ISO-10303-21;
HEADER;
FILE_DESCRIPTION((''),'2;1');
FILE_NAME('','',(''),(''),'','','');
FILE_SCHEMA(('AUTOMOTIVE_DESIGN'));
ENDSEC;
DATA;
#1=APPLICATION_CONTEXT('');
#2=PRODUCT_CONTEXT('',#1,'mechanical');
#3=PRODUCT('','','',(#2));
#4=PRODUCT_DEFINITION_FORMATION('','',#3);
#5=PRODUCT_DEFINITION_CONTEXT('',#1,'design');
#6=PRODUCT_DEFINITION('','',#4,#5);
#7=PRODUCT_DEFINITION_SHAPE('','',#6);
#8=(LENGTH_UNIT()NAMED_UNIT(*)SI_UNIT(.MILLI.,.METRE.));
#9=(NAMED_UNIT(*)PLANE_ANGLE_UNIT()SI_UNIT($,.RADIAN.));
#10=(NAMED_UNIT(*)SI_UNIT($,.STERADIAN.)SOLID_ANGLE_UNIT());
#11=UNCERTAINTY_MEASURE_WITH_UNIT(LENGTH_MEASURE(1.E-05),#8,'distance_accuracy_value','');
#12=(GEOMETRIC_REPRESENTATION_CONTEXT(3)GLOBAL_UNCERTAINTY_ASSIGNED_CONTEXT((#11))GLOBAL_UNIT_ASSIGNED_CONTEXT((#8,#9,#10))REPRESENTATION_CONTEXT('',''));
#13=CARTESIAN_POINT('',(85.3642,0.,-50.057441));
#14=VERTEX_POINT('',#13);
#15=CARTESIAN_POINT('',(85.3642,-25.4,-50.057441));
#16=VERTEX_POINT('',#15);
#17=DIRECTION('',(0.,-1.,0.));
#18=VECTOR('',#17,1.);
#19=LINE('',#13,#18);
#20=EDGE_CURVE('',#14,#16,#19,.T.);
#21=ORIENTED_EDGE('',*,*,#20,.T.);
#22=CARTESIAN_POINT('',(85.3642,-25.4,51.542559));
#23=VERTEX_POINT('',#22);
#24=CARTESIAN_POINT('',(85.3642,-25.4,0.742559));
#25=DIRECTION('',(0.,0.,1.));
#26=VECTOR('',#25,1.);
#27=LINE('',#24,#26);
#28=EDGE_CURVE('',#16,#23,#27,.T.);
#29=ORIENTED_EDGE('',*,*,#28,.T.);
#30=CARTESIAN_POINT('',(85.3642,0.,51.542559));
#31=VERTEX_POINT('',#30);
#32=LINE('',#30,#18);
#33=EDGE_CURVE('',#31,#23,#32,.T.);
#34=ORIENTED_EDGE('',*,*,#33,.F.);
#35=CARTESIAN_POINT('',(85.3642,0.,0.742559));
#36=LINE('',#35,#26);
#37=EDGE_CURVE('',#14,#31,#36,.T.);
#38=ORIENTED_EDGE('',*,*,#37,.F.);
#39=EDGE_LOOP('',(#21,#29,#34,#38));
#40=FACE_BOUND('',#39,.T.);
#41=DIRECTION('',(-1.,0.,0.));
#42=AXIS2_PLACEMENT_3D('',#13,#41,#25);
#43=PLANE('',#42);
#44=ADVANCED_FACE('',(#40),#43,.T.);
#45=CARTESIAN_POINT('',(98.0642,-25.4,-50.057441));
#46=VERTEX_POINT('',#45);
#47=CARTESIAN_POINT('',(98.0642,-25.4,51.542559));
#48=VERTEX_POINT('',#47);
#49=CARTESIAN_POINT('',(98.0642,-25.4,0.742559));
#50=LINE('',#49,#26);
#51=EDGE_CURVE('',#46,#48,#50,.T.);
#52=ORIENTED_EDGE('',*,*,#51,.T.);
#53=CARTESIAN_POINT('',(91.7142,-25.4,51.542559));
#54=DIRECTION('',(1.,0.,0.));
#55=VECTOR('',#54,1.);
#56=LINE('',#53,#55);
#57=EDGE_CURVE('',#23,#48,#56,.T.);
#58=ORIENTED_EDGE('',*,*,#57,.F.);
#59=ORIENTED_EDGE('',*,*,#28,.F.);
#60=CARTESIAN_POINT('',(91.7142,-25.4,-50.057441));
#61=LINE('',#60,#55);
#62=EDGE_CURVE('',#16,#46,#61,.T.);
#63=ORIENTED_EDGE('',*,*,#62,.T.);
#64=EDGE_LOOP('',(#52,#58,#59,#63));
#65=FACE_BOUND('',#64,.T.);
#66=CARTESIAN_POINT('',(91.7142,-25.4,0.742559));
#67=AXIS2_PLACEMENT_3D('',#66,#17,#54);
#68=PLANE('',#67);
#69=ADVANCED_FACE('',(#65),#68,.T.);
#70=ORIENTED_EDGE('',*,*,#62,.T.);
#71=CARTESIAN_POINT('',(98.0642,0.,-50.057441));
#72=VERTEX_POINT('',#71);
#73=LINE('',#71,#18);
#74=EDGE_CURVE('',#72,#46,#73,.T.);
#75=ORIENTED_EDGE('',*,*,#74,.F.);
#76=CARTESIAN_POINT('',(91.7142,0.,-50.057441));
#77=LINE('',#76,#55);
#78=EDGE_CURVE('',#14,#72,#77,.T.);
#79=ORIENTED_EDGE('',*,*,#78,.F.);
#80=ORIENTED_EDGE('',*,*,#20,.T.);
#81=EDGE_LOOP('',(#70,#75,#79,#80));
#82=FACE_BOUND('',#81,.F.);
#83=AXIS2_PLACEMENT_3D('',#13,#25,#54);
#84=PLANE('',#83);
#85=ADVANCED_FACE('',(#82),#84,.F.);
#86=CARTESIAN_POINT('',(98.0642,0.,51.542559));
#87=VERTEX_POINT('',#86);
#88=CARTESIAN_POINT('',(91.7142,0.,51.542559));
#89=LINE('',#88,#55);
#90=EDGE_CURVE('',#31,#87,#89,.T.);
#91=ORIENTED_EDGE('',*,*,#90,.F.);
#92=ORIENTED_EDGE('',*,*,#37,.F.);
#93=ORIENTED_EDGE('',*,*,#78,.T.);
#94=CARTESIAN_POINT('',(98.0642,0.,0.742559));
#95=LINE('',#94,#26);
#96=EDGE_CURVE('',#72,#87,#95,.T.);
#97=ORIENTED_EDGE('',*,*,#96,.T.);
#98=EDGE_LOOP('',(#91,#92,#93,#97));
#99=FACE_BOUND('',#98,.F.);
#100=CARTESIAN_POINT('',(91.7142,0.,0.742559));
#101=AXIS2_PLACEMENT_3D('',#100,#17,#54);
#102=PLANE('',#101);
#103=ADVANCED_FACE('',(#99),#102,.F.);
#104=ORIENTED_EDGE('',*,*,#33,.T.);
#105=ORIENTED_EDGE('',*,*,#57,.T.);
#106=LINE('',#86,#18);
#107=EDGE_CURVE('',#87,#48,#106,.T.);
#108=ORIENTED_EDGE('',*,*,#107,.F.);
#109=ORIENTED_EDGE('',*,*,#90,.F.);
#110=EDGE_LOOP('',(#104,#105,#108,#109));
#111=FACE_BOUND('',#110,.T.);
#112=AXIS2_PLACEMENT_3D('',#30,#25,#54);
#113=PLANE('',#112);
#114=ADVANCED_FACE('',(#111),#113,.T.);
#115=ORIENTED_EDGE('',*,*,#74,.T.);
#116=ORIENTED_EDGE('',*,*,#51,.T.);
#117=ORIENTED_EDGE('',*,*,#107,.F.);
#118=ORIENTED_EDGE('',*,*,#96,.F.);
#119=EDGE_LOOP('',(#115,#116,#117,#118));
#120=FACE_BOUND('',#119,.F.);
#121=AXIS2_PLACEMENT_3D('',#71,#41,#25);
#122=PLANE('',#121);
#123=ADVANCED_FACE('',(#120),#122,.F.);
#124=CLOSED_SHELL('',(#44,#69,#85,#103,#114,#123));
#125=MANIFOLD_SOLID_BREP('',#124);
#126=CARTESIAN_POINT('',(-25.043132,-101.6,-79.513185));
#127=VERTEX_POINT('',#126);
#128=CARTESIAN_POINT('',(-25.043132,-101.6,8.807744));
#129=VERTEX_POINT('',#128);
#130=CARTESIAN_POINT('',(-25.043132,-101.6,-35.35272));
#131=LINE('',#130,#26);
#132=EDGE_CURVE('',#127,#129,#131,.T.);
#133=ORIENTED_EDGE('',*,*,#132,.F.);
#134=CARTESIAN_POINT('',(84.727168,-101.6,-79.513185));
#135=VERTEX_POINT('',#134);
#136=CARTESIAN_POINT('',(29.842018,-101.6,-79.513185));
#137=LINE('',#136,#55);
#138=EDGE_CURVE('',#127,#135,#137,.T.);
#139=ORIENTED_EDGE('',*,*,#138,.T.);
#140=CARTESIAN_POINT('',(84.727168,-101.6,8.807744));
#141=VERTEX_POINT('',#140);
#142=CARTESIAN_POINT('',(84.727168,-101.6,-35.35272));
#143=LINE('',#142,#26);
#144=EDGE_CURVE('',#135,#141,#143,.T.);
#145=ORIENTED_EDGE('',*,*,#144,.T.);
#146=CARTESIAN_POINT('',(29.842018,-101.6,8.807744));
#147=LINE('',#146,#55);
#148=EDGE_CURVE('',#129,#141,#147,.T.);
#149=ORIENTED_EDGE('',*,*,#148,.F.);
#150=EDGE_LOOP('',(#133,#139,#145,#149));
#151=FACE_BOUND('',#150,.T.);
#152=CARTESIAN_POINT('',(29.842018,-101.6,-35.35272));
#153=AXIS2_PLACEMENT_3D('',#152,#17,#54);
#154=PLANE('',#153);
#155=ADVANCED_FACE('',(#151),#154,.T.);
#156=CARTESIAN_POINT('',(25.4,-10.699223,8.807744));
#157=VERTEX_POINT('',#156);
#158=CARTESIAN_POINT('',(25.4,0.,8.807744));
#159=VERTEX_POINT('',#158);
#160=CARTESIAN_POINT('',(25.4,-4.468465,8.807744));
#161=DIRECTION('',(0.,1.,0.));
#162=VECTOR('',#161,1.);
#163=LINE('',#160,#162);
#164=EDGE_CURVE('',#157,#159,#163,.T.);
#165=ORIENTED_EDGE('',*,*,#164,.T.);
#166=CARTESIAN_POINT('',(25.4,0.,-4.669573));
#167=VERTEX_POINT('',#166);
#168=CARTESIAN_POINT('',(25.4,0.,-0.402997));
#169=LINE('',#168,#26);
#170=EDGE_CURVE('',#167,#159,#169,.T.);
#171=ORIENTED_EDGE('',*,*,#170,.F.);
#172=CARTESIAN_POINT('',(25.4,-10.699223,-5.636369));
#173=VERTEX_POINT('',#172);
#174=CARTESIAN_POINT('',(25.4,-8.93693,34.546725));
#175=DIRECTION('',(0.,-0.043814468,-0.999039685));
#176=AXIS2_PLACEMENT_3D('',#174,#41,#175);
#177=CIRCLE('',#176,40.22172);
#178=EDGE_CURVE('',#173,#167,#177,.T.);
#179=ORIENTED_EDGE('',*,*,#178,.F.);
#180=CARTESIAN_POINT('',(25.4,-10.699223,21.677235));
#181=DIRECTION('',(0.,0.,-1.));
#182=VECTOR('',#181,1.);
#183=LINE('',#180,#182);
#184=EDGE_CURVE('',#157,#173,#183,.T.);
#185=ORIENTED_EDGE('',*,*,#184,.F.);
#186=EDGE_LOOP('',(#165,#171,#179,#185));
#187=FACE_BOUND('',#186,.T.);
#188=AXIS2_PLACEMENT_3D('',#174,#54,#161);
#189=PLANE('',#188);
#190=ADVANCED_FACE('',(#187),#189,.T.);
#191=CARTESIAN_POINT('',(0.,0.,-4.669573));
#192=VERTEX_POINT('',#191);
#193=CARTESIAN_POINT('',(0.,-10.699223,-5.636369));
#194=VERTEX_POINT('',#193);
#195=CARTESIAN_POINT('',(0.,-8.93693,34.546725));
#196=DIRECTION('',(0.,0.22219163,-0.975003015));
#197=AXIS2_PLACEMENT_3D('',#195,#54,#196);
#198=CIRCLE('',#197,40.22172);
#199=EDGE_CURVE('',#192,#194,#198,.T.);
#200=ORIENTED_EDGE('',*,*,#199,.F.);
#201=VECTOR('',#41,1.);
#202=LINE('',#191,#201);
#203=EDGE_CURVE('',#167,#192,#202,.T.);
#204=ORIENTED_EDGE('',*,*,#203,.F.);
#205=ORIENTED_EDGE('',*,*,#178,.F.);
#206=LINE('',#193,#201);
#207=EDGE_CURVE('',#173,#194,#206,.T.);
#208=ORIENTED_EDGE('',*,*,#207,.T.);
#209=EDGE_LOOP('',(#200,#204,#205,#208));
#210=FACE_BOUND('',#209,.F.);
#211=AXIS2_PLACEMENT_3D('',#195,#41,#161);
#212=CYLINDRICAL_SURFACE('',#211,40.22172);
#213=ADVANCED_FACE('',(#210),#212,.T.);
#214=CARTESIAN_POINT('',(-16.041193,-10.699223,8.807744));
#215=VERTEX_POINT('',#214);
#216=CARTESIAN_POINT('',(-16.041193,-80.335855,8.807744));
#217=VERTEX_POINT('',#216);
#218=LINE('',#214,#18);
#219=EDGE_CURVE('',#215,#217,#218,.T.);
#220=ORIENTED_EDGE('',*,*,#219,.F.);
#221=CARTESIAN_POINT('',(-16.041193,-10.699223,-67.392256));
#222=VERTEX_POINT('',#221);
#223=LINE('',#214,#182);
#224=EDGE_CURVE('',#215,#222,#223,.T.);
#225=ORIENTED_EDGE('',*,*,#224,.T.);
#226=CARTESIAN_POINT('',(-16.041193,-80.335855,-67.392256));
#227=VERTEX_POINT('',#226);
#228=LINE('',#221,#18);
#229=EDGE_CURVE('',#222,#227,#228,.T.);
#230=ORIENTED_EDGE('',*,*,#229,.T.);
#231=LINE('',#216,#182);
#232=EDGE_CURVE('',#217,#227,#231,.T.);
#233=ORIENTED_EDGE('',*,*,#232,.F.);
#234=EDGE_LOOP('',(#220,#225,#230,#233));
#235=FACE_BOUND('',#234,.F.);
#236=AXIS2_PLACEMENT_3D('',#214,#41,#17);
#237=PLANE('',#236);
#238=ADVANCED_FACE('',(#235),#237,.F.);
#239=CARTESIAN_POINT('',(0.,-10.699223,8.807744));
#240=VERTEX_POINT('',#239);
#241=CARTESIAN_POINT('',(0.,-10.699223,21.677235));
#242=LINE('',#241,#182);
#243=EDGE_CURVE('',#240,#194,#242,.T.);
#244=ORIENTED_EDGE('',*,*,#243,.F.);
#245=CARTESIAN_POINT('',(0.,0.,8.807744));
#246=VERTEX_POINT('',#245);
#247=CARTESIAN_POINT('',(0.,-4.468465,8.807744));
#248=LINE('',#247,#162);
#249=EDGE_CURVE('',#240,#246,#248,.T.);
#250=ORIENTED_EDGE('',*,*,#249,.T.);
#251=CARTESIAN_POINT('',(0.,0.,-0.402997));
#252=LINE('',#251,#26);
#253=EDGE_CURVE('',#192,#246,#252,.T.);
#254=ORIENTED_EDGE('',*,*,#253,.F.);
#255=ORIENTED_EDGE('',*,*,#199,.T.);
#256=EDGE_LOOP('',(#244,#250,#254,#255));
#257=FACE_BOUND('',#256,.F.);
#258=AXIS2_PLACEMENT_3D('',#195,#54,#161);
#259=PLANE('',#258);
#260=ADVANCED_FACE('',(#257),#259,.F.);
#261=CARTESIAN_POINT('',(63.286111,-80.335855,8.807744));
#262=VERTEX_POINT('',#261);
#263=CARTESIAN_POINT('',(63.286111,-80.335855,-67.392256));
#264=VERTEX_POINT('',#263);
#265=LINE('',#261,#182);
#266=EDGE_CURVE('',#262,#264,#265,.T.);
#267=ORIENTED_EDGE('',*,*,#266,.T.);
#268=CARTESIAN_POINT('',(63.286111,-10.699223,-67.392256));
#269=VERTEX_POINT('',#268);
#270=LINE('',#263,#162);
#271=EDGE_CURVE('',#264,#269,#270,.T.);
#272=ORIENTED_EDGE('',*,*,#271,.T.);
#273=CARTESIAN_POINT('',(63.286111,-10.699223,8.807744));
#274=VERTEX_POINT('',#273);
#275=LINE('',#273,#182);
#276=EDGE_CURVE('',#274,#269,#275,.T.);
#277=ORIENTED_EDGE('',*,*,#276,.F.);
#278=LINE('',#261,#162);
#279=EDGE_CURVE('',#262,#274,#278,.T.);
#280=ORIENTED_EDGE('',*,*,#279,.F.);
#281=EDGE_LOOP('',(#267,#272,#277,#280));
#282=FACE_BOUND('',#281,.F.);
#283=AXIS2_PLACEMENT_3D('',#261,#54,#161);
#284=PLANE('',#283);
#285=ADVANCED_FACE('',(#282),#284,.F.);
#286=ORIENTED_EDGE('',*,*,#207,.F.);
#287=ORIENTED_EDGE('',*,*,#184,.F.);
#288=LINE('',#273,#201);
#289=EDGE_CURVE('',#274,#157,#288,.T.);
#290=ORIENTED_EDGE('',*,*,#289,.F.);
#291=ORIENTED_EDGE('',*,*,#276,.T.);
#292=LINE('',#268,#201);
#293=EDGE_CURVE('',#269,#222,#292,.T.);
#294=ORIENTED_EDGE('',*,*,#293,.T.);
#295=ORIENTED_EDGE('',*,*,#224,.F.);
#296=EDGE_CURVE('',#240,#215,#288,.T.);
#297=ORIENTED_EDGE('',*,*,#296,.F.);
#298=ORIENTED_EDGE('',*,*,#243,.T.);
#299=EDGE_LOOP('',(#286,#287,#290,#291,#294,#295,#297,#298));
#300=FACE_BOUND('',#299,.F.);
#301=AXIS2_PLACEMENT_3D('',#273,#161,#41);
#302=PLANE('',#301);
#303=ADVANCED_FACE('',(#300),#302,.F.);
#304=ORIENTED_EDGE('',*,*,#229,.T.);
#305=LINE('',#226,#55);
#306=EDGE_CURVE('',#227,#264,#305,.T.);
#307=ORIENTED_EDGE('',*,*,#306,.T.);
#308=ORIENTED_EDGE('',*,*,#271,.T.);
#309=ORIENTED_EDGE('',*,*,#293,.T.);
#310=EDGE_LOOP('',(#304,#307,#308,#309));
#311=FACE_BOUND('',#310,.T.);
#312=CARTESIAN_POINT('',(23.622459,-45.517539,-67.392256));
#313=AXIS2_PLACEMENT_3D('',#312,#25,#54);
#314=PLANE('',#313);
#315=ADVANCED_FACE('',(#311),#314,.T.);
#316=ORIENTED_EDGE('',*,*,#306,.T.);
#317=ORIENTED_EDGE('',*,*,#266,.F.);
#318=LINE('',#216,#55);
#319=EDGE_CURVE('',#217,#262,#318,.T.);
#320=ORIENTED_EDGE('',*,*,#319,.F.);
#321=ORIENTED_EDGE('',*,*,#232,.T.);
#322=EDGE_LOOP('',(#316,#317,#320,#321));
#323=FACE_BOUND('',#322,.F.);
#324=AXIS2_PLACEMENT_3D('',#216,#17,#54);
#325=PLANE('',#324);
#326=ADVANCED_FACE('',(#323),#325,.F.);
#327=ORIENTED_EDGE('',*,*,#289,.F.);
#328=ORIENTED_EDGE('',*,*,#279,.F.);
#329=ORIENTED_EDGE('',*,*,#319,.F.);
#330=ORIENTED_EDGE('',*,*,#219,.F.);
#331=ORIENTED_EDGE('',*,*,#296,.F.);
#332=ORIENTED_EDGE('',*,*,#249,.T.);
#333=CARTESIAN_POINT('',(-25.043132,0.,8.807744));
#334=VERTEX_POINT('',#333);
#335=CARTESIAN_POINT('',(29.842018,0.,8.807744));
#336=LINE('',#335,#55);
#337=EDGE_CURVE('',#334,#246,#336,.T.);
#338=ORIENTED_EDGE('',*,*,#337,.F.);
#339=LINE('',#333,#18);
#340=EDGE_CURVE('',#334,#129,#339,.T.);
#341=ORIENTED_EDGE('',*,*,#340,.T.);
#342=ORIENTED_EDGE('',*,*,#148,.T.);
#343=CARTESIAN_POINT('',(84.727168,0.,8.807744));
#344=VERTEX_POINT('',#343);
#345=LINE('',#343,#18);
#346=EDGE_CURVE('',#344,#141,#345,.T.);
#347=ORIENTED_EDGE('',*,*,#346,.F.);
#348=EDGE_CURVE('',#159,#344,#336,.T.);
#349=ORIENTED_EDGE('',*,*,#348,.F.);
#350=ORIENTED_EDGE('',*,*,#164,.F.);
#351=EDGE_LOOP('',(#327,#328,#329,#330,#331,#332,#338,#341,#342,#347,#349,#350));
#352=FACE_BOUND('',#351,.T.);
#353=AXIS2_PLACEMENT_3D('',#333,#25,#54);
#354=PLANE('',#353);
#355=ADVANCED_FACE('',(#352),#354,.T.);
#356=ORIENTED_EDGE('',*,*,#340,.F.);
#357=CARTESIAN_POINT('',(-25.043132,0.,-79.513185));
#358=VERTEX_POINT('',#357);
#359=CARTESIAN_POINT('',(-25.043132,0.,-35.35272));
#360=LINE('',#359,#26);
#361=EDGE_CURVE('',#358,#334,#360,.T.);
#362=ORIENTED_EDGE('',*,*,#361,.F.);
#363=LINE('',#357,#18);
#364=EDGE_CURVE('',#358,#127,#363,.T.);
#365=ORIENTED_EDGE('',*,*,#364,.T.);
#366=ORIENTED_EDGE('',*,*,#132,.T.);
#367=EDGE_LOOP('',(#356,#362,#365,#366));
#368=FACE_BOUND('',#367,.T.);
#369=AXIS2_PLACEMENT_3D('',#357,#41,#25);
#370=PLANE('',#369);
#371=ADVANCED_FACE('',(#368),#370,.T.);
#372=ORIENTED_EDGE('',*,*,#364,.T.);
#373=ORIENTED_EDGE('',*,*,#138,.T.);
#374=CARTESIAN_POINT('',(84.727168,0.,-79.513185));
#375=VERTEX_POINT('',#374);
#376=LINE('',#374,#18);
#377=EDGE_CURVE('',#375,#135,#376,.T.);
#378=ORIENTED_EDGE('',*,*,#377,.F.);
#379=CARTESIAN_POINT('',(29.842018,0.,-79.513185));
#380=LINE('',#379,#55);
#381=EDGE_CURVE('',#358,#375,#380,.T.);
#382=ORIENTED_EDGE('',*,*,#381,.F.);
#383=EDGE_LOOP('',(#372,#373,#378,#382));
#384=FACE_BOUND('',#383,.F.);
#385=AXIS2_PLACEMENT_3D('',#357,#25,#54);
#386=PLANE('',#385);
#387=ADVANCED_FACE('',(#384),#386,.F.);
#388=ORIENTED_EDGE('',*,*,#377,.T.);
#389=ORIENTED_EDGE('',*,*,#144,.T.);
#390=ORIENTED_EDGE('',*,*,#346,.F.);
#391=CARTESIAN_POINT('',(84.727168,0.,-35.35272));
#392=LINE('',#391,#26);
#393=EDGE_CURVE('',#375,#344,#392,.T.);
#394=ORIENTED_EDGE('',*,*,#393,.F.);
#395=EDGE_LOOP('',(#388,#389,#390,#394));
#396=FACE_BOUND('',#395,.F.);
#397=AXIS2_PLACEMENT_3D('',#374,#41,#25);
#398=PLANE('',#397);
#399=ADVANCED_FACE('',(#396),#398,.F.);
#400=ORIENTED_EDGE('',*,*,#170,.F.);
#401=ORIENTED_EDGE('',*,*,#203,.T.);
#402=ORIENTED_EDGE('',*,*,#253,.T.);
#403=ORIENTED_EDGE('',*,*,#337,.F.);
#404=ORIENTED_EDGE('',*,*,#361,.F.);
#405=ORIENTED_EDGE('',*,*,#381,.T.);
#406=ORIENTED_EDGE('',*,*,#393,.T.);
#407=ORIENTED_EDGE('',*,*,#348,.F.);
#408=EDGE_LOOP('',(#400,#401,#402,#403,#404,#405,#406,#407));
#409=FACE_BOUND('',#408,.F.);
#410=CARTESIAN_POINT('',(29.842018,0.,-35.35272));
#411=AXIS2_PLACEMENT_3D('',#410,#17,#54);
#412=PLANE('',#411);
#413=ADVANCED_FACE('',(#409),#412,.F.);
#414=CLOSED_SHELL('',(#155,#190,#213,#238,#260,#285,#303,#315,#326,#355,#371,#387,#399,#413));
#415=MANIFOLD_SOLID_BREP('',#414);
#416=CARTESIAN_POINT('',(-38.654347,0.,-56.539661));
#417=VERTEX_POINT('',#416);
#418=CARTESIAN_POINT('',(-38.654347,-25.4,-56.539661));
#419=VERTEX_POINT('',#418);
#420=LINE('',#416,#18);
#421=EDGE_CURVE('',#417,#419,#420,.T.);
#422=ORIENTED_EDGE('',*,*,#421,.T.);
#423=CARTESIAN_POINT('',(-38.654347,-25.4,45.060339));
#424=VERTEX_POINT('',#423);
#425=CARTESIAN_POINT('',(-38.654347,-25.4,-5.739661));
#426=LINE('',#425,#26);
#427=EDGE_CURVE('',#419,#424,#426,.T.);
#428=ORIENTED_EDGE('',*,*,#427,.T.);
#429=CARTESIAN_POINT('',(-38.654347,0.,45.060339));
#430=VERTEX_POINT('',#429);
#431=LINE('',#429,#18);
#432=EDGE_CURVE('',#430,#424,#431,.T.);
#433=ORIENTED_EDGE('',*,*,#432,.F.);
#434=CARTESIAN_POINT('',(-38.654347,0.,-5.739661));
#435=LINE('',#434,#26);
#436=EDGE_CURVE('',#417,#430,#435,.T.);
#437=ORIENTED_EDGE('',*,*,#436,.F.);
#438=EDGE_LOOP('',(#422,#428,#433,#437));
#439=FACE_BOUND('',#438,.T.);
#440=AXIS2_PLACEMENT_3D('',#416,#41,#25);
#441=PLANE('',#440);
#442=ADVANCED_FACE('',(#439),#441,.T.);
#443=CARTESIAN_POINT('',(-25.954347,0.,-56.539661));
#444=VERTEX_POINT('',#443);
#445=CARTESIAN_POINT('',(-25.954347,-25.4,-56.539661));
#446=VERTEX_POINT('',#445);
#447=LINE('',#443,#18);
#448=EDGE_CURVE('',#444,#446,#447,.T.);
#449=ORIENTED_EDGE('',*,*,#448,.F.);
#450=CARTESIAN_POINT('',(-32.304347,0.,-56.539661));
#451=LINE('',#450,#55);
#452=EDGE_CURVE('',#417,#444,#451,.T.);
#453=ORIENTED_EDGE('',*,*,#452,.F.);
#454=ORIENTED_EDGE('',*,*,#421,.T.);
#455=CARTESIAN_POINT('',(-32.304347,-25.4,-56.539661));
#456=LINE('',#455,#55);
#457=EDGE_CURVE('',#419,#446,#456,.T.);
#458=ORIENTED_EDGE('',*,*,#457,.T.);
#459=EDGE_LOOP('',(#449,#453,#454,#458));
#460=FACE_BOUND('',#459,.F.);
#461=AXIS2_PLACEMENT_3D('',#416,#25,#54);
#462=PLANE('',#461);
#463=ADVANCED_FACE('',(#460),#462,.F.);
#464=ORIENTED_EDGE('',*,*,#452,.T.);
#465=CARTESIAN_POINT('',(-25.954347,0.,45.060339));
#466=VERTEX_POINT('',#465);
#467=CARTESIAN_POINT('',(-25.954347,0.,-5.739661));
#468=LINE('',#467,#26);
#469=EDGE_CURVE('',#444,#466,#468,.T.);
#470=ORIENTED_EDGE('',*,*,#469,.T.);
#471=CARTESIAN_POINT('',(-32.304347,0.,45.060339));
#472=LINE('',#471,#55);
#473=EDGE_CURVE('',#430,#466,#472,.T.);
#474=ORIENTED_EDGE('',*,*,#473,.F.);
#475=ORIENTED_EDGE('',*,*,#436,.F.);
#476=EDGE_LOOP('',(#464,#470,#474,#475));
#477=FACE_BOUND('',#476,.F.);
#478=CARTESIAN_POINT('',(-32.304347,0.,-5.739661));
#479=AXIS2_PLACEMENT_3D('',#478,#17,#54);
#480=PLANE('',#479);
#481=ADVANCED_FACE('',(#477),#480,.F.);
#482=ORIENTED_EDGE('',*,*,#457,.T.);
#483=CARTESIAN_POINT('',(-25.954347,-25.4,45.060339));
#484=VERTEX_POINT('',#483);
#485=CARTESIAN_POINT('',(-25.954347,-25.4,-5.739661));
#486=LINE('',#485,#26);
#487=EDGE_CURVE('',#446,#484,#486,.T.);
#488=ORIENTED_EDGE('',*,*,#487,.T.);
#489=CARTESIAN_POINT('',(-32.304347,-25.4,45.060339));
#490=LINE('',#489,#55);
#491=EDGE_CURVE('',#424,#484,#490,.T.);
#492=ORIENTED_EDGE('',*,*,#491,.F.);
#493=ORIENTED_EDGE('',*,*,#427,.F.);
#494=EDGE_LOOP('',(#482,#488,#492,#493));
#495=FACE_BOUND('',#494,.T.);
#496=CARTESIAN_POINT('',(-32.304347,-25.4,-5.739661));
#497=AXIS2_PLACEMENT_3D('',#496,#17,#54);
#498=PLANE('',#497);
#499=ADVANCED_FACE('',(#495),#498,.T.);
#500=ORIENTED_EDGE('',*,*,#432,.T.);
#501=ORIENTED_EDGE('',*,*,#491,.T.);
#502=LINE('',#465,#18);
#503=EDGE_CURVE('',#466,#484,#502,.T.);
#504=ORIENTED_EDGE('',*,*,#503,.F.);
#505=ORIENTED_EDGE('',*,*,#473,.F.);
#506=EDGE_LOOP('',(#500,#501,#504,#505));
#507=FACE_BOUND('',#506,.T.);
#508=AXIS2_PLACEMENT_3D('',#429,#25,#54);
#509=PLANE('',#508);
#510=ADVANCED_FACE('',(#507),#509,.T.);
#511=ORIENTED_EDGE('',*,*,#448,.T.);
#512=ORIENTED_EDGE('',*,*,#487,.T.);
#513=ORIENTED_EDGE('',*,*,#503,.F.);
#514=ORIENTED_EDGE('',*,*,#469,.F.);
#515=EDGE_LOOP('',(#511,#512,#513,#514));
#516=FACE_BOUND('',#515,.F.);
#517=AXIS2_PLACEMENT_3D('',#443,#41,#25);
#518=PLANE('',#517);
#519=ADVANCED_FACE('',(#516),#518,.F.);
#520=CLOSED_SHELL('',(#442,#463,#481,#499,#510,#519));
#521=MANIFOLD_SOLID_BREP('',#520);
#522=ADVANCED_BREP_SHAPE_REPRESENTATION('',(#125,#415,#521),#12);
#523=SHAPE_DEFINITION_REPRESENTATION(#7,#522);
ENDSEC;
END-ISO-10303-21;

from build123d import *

# Parameters (mm, degrees)
F0_W     = 109.7702998668
F0_H     = 88.3209286258
F1_DEPTH = 101.6
F3_DEPTH = 76.2
F4_W     = 12.7
F4_H     = 101.6
F5_DEPTH = 25.4
F6_R     = 40.221719965
F7_DEPTH = 25.4


with BuildPart() as f1:
    # F0 (on Front) → F1 (new body)
    with BuildSketch(Plane.XZ):
        with Locations((29.8420181498, -35.3527204134)):
            Rectangle(F0_W, F0_H)
    extrude(amount=F1_DEPTH)

    # F2 (on face) → F3 (cut)
    with BuildSketch(Plane.XY.offset(8.8077438995)):
        Polygon((63.2861107588, -10.6992227957), (-16.0411931574, -10.6992227957), (-16.0411931574, -80.335855484), (63.2861107588, -80.335855484), (63.2861107588, -18.5826886445), align=None)
    extrude(amount=-F3_DEPTH, mode=Mode.SUBTRACT)

    # F6 (on Right) → F7 (join)
    with BuildSketch(Plane.YZ):
        with Locations((-8.9369295165, 34.5467254519)):
            Circle(F6_R)
    extrude(amount=F7_DEPTH)


with BuildPart() as f5:
    # F4 (on Front) → F5 (new body)
    with BuildSketch(Plane.XZ):
        with Locations((-32.3043470117, -5.7396613061)):
            Rectangle(F4_W, F4_H)
    extrude(amount=F5_DEPTH)


with BuildPart() as f5b:
    # F4 (on Front) → F5, piece 2 (new body)
    with BuildSketch(Plane.XZ):
        with Locations((91.7142001748, 0.7425590038)):
            Rectangle(F4_W, F4_H)
    extrude(amount=F5_DEPTH)


solid = Compound([f1.part, f5.part, f5b.part])
